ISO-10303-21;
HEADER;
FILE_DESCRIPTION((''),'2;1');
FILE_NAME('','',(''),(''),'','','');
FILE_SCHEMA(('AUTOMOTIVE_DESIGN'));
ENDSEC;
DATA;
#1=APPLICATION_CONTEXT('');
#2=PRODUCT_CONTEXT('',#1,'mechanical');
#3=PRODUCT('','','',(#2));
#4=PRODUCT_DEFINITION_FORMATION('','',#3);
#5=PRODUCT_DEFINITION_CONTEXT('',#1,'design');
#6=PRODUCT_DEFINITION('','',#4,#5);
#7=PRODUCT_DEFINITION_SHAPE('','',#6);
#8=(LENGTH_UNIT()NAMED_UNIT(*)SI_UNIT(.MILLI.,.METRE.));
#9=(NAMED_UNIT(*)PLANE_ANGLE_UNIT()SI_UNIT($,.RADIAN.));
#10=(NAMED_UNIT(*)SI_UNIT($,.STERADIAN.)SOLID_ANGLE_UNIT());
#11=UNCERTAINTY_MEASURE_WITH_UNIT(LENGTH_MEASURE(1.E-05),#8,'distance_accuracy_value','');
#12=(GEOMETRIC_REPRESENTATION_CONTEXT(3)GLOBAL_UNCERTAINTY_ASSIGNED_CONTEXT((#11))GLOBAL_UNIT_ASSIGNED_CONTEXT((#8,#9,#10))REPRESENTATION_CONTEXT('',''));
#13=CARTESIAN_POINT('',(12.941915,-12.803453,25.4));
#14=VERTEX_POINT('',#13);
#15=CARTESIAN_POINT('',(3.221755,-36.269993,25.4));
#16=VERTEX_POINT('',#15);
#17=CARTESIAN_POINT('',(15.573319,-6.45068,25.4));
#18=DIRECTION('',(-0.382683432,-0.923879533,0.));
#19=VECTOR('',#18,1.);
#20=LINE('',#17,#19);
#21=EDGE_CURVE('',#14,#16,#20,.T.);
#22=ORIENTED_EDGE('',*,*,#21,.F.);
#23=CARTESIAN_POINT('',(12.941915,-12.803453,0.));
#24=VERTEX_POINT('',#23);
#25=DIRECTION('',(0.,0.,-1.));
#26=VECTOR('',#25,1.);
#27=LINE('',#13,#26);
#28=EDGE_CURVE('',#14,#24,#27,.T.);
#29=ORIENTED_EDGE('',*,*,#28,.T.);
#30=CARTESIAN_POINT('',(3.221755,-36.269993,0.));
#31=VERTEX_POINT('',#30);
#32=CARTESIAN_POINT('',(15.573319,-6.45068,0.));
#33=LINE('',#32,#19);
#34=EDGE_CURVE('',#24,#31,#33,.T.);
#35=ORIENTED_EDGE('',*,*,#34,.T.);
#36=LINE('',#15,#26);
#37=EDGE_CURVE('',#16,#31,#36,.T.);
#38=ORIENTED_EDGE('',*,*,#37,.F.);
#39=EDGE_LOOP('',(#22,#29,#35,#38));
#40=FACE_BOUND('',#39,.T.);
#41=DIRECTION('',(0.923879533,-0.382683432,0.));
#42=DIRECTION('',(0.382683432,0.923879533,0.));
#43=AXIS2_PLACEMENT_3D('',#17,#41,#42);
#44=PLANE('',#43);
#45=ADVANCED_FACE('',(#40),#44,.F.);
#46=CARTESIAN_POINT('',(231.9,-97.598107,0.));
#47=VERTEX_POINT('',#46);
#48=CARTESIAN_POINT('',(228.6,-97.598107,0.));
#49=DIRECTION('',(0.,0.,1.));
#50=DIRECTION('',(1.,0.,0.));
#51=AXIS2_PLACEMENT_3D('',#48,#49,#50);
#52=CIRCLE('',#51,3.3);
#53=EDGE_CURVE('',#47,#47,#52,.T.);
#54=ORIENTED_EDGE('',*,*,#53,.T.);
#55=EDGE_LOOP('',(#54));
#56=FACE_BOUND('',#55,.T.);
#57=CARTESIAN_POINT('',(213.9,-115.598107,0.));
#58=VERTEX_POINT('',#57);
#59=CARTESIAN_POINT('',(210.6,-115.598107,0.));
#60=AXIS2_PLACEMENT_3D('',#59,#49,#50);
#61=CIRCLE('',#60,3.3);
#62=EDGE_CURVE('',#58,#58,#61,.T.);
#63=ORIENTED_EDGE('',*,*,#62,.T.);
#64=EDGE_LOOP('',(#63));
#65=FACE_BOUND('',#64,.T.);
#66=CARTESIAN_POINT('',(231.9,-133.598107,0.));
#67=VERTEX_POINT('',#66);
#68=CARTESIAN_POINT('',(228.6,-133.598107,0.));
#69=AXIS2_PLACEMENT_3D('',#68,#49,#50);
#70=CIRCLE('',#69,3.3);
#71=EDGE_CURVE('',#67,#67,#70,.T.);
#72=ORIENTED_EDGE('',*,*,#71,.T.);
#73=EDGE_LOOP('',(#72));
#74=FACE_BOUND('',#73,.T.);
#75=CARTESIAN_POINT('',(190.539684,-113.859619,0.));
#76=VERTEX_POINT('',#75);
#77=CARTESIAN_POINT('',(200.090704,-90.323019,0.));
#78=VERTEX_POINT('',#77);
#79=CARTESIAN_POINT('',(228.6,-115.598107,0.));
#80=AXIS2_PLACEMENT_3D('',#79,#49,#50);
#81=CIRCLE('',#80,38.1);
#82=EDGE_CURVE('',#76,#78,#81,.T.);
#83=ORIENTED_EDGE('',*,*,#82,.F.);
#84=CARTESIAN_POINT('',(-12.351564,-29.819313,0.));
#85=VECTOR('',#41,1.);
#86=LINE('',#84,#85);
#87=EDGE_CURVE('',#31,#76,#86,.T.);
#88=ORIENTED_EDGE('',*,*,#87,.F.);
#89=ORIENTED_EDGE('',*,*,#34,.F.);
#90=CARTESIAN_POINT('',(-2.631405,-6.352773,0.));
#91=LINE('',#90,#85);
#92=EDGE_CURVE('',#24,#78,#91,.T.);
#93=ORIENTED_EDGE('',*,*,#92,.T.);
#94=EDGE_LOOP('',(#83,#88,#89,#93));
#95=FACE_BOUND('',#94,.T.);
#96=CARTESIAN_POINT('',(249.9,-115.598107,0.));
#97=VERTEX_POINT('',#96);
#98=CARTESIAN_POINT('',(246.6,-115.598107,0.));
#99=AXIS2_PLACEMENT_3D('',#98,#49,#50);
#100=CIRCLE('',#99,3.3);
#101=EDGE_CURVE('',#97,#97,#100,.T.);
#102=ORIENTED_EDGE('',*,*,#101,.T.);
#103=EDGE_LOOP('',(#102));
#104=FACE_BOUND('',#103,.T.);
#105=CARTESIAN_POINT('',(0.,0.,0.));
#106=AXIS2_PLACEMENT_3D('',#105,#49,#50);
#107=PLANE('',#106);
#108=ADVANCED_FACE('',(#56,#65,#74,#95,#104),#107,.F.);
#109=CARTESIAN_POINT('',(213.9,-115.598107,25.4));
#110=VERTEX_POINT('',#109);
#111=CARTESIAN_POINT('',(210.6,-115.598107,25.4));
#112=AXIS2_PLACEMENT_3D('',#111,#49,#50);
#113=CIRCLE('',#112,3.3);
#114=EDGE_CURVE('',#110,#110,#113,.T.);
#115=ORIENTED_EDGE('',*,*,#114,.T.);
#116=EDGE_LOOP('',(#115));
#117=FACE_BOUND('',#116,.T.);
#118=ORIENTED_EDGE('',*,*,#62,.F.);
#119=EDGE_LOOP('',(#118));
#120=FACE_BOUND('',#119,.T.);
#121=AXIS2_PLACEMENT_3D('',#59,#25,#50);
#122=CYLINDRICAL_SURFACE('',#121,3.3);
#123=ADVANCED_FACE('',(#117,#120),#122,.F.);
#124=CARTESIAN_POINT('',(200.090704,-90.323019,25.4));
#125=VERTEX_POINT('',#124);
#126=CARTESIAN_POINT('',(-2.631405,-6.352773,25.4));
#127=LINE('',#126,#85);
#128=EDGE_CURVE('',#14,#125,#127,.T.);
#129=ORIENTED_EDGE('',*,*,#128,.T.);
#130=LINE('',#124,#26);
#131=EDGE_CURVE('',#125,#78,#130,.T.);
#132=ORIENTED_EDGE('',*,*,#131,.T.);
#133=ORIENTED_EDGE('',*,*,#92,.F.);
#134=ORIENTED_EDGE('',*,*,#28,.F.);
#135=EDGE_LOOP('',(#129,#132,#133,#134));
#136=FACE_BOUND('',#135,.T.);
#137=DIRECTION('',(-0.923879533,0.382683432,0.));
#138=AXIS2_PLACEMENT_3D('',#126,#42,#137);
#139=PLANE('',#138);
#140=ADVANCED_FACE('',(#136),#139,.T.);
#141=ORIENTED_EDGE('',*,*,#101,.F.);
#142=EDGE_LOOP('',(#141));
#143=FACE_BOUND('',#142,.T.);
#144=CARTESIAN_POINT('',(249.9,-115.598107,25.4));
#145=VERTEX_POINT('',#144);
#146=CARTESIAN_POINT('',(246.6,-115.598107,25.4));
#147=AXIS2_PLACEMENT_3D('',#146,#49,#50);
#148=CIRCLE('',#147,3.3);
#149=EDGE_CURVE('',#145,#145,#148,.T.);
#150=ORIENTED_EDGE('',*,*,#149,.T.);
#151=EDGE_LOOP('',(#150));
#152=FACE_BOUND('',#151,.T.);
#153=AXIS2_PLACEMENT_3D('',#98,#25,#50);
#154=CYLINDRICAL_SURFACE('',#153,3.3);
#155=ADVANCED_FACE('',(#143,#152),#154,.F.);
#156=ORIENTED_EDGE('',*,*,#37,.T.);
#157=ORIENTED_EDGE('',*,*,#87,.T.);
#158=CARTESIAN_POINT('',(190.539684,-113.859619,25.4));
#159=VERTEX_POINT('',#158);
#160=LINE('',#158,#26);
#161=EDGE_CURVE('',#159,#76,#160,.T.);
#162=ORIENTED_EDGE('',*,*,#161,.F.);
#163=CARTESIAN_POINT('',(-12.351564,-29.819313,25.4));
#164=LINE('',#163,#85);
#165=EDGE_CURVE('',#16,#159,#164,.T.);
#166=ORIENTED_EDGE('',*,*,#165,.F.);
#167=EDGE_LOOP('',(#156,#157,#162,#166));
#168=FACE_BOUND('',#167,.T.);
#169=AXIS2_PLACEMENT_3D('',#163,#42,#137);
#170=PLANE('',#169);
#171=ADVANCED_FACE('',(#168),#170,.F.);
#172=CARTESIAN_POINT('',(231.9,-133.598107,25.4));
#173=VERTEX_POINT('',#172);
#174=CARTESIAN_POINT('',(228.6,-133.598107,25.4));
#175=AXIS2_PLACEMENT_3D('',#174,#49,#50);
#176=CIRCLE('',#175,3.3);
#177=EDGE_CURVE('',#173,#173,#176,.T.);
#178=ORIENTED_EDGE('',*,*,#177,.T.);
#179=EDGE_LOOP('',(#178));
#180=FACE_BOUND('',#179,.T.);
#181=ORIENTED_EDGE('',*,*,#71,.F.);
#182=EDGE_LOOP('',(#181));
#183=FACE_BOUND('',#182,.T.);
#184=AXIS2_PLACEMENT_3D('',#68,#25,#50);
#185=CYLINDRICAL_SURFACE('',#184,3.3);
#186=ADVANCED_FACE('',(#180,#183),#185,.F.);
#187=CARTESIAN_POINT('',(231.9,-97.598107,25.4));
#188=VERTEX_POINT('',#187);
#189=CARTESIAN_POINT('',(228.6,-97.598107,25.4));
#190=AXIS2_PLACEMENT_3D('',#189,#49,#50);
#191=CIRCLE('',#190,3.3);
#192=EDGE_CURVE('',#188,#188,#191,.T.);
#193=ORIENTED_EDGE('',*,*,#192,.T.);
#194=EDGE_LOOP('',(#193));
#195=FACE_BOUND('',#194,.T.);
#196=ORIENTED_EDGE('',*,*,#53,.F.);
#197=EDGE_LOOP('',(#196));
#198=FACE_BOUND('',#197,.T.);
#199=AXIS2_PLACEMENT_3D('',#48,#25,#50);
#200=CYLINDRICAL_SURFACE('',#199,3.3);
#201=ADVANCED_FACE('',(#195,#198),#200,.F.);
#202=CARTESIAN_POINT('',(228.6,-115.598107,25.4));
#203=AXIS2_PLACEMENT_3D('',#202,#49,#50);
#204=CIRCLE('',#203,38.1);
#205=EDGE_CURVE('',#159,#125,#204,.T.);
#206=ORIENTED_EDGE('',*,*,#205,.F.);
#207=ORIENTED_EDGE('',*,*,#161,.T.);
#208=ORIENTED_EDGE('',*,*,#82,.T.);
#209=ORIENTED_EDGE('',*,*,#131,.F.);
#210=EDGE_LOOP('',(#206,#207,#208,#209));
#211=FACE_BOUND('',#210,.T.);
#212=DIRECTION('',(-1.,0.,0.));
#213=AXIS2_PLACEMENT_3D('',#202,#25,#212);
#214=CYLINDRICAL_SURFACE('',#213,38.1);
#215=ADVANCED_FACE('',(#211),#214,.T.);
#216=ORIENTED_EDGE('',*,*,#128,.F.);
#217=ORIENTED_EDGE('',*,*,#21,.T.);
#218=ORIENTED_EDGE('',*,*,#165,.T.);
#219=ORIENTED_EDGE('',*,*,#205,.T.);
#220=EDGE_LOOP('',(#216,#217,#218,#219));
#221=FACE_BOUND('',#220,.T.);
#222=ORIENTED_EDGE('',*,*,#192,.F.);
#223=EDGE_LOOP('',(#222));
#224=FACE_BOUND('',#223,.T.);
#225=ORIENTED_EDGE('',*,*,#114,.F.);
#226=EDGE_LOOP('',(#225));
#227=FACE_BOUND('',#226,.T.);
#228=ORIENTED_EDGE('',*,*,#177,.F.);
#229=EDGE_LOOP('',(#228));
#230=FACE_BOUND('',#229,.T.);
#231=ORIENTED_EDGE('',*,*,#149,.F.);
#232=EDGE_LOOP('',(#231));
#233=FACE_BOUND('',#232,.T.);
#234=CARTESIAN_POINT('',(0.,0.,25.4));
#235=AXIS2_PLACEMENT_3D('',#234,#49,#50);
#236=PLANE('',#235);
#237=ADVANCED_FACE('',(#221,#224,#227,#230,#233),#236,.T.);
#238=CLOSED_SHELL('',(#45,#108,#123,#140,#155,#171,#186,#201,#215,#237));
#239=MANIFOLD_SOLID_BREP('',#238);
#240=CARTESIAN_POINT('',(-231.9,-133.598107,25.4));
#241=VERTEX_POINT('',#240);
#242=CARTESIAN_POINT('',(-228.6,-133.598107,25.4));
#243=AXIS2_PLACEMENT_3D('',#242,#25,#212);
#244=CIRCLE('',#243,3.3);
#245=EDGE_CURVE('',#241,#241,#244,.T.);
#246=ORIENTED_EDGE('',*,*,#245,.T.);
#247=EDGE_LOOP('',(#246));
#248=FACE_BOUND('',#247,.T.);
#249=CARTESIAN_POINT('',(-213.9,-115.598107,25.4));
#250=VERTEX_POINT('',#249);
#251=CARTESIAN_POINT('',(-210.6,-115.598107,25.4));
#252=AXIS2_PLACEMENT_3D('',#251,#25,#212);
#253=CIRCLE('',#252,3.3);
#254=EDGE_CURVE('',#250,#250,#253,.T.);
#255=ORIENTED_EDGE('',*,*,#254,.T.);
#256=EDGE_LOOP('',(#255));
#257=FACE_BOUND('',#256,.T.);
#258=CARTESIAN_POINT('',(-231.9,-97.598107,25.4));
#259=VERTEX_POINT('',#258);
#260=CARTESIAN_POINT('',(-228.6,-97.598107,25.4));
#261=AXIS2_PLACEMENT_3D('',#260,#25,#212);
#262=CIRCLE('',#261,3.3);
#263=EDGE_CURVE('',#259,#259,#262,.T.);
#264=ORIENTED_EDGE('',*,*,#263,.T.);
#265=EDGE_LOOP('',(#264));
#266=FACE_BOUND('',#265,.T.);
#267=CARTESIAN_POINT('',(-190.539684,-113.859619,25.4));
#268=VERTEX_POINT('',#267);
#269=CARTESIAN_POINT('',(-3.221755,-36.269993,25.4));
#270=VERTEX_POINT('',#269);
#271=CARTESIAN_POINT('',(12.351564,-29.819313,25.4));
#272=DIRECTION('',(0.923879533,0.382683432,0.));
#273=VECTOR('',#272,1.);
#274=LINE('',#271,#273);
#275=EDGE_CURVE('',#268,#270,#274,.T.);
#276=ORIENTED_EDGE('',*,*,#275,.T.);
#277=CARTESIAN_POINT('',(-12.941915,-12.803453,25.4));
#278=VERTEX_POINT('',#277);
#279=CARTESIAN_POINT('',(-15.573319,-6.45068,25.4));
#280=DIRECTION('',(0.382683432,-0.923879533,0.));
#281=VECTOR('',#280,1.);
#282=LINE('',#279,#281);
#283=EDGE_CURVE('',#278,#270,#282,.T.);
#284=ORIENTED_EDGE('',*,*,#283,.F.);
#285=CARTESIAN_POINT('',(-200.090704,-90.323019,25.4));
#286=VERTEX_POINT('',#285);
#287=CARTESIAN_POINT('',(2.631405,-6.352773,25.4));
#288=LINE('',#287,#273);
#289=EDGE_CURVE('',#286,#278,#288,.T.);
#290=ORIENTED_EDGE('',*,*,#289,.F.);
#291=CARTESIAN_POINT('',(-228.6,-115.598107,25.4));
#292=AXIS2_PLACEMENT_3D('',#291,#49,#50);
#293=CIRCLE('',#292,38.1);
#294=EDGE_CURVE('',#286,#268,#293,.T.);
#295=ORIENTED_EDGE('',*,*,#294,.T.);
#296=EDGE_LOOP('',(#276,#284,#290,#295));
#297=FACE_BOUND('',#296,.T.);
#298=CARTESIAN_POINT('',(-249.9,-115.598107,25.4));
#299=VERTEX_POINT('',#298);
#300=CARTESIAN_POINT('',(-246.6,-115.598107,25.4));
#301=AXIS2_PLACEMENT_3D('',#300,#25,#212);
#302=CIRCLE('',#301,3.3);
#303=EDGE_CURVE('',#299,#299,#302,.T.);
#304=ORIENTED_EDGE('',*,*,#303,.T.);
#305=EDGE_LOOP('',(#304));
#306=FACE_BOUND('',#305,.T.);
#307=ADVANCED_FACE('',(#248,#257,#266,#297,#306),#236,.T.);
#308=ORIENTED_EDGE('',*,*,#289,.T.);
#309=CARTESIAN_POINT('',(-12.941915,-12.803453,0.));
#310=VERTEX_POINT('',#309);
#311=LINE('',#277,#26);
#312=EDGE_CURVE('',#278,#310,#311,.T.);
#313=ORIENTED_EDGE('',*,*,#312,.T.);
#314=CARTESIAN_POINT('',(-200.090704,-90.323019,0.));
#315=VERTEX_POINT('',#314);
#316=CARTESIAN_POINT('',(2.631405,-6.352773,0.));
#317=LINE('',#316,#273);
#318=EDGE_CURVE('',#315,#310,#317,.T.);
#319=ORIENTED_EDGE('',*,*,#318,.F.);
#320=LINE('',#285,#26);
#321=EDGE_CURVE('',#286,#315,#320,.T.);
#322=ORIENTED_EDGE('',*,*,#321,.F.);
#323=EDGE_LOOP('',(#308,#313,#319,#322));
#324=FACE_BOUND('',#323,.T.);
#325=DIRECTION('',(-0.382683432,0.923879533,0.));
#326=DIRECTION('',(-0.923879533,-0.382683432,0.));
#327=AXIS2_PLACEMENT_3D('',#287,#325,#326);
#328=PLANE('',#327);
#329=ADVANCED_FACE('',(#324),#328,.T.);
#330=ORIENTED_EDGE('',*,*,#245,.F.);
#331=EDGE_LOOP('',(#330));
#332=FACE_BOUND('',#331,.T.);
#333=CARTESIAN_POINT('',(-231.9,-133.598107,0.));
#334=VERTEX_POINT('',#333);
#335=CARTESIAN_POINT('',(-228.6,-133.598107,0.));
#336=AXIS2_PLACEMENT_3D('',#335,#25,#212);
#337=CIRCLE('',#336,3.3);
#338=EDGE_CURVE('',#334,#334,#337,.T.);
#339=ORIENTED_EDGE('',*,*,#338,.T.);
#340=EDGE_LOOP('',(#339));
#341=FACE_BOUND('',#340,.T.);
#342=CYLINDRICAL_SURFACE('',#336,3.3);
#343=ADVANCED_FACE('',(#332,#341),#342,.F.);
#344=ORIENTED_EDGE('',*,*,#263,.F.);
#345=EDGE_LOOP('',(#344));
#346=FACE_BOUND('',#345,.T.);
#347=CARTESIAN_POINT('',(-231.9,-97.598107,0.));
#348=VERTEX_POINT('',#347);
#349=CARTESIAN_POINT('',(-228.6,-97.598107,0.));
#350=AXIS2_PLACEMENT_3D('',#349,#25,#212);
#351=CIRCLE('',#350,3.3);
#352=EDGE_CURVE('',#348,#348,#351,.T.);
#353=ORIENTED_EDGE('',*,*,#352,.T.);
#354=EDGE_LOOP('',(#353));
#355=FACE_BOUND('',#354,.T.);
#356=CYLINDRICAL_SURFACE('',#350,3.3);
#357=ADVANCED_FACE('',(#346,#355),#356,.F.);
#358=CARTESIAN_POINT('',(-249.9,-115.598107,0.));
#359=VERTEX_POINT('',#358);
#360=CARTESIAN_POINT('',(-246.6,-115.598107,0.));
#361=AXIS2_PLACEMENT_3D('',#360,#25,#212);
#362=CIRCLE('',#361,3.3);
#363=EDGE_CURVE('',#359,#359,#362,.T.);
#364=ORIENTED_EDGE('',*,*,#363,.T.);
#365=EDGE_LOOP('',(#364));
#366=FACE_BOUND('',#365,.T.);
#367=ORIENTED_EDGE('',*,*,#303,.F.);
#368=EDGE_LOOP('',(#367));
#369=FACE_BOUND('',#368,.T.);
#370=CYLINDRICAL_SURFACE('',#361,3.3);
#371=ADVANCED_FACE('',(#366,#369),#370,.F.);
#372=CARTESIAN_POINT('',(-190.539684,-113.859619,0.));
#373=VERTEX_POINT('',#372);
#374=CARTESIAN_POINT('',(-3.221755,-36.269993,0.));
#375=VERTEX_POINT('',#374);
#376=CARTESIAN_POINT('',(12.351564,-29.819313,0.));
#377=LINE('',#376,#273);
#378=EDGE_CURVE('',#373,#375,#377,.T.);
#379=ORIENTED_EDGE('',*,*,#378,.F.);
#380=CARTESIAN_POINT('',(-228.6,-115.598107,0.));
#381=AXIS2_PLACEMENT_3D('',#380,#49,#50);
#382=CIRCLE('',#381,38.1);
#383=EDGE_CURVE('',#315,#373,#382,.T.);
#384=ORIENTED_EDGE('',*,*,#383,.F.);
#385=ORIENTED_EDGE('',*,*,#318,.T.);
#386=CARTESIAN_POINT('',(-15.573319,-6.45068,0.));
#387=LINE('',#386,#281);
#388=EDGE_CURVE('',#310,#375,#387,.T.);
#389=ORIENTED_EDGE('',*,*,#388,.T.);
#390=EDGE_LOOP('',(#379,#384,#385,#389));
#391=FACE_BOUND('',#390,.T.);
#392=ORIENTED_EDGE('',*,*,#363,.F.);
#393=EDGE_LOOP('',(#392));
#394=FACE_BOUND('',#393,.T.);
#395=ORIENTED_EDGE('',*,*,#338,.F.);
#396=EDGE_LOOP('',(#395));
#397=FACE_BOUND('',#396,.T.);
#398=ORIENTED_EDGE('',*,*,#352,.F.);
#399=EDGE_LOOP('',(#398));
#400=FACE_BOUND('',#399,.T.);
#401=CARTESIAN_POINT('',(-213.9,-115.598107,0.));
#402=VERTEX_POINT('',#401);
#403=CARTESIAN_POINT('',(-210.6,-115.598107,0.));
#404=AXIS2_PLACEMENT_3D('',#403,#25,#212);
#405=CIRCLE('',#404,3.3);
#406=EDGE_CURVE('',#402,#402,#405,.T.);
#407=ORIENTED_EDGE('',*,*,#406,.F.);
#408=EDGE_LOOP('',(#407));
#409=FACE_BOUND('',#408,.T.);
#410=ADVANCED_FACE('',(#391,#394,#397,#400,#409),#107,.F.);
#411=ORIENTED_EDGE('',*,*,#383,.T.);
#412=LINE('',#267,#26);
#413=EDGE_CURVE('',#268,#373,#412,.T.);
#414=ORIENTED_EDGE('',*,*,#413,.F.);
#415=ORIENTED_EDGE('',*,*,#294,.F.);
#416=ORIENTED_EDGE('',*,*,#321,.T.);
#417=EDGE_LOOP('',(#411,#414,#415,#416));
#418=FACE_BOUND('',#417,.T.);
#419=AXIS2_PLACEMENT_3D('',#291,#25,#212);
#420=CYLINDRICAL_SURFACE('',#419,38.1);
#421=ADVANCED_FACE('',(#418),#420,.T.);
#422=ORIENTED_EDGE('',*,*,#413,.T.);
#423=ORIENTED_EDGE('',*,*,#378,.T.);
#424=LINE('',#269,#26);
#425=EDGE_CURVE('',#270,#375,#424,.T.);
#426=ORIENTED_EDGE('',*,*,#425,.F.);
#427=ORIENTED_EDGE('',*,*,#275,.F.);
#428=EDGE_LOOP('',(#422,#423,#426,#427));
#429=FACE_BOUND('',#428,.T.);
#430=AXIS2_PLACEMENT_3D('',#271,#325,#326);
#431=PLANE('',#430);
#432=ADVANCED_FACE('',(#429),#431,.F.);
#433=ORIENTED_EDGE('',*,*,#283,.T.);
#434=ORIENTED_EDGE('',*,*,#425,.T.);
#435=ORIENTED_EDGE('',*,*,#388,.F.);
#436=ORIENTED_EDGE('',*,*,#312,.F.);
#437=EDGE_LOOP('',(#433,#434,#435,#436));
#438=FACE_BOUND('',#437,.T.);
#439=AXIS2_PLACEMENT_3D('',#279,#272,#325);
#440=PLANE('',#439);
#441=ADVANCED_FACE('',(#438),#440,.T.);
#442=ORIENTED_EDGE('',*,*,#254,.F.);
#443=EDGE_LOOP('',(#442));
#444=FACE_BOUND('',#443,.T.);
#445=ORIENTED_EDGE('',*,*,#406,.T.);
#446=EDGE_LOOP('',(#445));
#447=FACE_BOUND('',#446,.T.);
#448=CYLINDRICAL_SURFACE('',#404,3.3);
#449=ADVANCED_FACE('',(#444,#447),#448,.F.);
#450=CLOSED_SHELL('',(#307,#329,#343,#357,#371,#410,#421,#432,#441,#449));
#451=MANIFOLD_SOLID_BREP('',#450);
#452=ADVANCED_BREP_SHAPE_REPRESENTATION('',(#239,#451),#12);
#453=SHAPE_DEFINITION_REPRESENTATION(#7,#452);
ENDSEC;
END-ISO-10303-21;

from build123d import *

# Parameters (mm, degrees)
BOSS_EXTRUDE1_DEPTH  = 25.4
M6_CLEARANCE_HOLE1_D = 6.6
CIRPATTERN1_COUNT    = 4
MIRROR3_COPY_1_D     = 6.6
MIRROR3_COPY_2_D     = 6.6
MIRROR3_COPY_3_D     = 6.6


with BuildPart() as part:
    # Sketch1 → Boss-Extrude1 (new body)
    with BuildSketch(Plane.XY):
        with BuildLine():
            Line((-206.337690312, -120.40336768), (-216.057849494, -96.936827554))
            Line((-216.057849494, -96.936827554), (-200.090704327, -90.323019474))
            ThreePointArc((-200.090704327, -90.323019474), (-264.221722061, -129.114871524), (-190.5, -115.598107213))
            ThreePointArc((-190.5, -115.598107213), (-190.509922275, -114.728636762), (-190.53968393, -113.859619178))
            Line((-190.53968393, -113.859619178), (-206.337690312, -120.40336768))
        make_face()
        with BuildLine():
            Line((-200.090704327, -90.323019474), (-216.057849494, -96.936827554))
            Line((-216.057849494, -96.936827554), (-206.337690312, -120.40336768))
            Line((-206.337690312, -120.40336768), (-190.53968393, -113.859619178))
            ThreePointArc((-190.53968393, -113.859619178), (-193.296017458, -101.271948737), (-200.090704327, -90.323019474))
        make_face()
        with BuildLine():
            Line((-12.941914653, -12.803452609), (-200.090704327, -90.323019474))
            ThreePointArc((-200.090704327, -90.323019474), (-193.296017458, -101.271948737), (-190.53968393, -113.859619178))
            Line((-190.53968393, -113.859619178), (-3.221755471, -36.269992735))
            Line((-3.221755471, -36.269992735), (-12.941914653, -12.803452609))
        make_face()
        with BuildLine():
            Line((200.090704327, -90.323019474), (12.941914653, -12.803452609))
            Line((12.941914653, -12.803452609), (3.221755471, -36.269992735))
            Line((3.221755471, -36.269992735), (190.53968393, -113.859619178))
            ThreePointArc((190.53968393, -113.859619178), (193.296017458, -101.271948737), (200.090704327, -90.323019474))
        make_face()
        with BuildLine():
            ThreePointArc((266.7, -115.598107213), (242.116764311, -79.976385153), (200.090704327, -90.323019474))
            Line((200.090704327, -90.323019474), (216.057849494, -96.936827554))
            Line((216.057849494, -96.936827554), (206.337690312, -120.40336768))
            Line((206.337690312, -120.40336768), (190.53968393, -113.859619178))
            ThreePointArc((190.53968393, -113.859619178), (227.730529549, -153.688184939), (266.7, -115.598107213))
        make_face()
        with BuildLine():
            Line((216.057849494, -96.936827554), (200.090704327, -90.323019474))
            ThreePointArc((200.090704327, -90.323019474), (193.296017458, -101.271948737), (190.53968393, -113.859619178))
            Line((190.53968393, -113.859619178), (206.337690312, -120.40336768))
            Line((206.337690312, -120.40336768), (216.057849494, -96.936827554))
        make_face()
    extrude(amount=BOSS_EXTRUDE1_DEPTH)

    # M6 Clearance Hole1 (through all)
    with Locations(Plane(origin=(-228.6, -97.598107272, 0), x_dir=(-1, 0, 0), z_dir=(0, 0, -1))):
        with Locations((0, 0)):
            m6_clearance_hole1 = Hole(M6_CLEARANCE_HOLE1_D / 2)

    # CirPattern1: M6 Clearance Hole1 ×4 about axis
    cirpattern1_axis = Axis((-228.6, -115.598107213, 0), (0, 0, 1))
    for i in range(1, CIRPATTERN1_COUNT):
        add(m6_clearance_hole1.rotate(cirpattern1_axis, i * 360 / CIRPATTERN1_COUNT), mode=Mode.SUBTRACT)

    # Mirror3: M6 Clearance Hole1 across plane
    add(m6_clearance_hole1.mirror(Plane(origin=(0, 0, 0), x_dir=(0, 0, 1), z_dir=(1, 0, 0))), mode=Mode.SUBTRACT)

    # Mirror3 copy 1 (through all)
    with Locations(Plane(origin=(246.599999941, -115.598107213, 0), x_dir=(0, -1, 0), z_dir=(0, 0, -1))):
        with Locations((0, 0)):
            Hole(MIRROR3_COPY_1_D / 2)

    # Mirror3 copy 2 (through all)
    with Locations(Plane(origin=(228.6, -133.598107155, 0), x_dir=(-1, 0, 0), z_dir=(0, 0, -1))):
        with Locations((0, 0)):
            Hole(MIRROR3_COPY_2_D / 2)

    # Mirror3 copy 3 (through all)
    with Locations(Plane(origin=(210.600000059, -115.598107213, 0), x_dir=(0, 1, 0), z_dir=(0, 0, -1))):
        with Locations((0, 0)):
            Hole(MIRROR3_COPY_3_D / 2)


solid = part.part
